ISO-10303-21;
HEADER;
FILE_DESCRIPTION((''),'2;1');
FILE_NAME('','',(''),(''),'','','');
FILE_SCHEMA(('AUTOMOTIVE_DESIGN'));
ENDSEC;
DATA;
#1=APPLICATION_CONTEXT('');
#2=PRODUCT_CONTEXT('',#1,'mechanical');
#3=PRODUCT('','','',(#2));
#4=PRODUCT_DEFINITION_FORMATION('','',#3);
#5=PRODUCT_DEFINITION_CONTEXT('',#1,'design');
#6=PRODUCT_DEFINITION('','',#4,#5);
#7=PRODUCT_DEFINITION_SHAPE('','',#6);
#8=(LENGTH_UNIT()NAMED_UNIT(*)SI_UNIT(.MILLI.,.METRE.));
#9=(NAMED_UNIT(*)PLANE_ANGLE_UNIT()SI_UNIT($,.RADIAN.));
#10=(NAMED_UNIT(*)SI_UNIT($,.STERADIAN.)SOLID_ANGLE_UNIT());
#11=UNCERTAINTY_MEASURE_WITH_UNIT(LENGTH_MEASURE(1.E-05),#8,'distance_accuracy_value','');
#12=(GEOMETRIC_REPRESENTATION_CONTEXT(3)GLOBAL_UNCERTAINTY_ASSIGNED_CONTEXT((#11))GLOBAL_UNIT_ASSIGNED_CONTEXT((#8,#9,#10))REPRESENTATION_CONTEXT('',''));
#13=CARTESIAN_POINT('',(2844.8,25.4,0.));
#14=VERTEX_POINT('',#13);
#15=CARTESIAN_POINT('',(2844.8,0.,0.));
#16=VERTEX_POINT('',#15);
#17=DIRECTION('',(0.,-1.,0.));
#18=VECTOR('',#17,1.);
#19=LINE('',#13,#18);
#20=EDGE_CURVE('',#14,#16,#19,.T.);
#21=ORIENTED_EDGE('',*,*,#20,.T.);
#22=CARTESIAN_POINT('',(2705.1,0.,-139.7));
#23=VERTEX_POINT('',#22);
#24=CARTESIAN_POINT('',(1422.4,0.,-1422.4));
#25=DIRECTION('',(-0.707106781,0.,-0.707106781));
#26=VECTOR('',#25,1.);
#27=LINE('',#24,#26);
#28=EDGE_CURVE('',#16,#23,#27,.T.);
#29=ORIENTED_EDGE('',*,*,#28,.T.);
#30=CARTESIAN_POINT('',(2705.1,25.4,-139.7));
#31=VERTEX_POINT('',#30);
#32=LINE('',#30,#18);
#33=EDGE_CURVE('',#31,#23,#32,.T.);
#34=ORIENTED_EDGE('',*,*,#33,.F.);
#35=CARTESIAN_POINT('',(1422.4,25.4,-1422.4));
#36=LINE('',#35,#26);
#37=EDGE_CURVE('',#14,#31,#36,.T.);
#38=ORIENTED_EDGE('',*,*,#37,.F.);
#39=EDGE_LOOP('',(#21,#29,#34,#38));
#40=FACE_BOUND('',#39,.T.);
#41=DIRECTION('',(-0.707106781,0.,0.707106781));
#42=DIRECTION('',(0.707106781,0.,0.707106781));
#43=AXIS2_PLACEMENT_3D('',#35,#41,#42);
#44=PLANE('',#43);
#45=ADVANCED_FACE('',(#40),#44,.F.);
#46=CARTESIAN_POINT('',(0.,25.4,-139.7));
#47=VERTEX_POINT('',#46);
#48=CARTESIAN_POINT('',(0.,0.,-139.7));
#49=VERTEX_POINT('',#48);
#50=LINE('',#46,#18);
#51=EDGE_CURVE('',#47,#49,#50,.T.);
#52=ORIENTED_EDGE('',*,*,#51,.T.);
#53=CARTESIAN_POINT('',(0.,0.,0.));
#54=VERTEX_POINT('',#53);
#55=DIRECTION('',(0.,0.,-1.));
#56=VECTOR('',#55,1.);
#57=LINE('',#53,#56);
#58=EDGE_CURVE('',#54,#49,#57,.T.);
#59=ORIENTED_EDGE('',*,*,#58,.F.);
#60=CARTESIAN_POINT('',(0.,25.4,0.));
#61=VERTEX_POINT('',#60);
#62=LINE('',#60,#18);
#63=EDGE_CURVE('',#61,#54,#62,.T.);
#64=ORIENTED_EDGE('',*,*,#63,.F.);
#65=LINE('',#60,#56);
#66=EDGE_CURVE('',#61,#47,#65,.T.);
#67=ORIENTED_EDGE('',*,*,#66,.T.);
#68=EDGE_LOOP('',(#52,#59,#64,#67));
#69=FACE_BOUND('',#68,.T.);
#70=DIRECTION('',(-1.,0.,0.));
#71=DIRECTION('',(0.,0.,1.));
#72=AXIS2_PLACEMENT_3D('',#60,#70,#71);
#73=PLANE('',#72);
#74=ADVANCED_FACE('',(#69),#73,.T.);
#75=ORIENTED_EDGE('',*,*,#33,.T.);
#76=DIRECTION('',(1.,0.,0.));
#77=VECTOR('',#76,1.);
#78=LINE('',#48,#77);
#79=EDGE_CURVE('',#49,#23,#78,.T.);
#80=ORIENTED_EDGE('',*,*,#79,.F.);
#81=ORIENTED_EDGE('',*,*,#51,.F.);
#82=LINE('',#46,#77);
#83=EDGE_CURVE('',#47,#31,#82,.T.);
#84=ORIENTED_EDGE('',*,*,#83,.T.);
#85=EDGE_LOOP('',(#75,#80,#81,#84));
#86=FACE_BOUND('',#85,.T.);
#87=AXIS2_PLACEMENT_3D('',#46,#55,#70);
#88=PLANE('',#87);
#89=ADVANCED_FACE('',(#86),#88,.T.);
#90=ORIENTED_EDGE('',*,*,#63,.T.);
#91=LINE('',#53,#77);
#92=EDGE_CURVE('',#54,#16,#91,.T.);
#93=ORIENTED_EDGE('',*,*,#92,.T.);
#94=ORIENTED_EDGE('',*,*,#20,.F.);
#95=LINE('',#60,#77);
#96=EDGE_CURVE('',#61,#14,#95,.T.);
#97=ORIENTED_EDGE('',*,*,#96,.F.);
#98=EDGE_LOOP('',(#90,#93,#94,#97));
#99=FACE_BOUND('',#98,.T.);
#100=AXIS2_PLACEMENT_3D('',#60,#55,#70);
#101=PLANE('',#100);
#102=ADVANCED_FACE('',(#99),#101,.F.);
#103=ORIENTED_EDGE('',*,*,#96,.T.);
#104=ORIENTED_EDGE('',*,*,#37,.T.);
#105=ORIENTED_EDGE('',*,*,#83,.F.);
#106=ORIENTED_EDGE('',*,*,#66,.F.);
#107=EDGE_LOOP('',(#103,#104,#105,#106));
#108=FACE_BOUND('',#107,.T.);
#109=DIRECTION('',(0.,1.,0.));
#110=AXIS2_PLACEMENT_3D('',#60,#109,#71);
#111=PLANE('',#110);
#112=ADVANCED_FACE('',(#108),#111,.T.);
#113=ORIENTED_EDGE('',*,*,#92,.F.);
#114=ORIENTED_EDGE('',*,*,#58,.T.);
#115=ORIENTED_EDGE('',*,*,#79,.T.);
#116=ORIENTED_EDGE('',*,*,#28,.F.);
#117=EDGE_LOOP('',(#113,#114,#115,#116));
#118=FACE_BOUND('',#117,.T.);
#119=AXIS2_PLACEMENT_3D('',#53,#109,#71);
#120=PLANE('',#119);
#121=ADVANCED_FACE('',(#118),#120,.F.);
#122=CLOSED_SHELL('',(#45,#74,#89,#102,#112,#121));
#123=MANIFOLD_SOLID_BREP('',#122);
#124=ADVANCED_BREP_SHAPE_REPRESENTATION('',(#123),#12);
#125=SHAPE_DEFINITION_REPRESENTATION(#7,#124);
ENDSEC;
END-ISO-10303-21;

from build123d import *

# Parameters (mm, degrees)
BOSS_EXTRUDE1_DEPTH = 25.4


with BuildPart() as part:
    # Sketch1 → Boss-Extrude1 (new body)
    with BuildSketch(Plane(origin=(0, 0, 0), x_dir=(1, 0, 0), z_dir=(0, 1, 0))):
        Polygon((0, 139.7), (0, 0), (2705.1, 0), (2844.8, 0), (2705.1, 139.7), align=None)
    extrude(amount=BOSS_EXTRUDE1_DEPTH)


solid = part.part
